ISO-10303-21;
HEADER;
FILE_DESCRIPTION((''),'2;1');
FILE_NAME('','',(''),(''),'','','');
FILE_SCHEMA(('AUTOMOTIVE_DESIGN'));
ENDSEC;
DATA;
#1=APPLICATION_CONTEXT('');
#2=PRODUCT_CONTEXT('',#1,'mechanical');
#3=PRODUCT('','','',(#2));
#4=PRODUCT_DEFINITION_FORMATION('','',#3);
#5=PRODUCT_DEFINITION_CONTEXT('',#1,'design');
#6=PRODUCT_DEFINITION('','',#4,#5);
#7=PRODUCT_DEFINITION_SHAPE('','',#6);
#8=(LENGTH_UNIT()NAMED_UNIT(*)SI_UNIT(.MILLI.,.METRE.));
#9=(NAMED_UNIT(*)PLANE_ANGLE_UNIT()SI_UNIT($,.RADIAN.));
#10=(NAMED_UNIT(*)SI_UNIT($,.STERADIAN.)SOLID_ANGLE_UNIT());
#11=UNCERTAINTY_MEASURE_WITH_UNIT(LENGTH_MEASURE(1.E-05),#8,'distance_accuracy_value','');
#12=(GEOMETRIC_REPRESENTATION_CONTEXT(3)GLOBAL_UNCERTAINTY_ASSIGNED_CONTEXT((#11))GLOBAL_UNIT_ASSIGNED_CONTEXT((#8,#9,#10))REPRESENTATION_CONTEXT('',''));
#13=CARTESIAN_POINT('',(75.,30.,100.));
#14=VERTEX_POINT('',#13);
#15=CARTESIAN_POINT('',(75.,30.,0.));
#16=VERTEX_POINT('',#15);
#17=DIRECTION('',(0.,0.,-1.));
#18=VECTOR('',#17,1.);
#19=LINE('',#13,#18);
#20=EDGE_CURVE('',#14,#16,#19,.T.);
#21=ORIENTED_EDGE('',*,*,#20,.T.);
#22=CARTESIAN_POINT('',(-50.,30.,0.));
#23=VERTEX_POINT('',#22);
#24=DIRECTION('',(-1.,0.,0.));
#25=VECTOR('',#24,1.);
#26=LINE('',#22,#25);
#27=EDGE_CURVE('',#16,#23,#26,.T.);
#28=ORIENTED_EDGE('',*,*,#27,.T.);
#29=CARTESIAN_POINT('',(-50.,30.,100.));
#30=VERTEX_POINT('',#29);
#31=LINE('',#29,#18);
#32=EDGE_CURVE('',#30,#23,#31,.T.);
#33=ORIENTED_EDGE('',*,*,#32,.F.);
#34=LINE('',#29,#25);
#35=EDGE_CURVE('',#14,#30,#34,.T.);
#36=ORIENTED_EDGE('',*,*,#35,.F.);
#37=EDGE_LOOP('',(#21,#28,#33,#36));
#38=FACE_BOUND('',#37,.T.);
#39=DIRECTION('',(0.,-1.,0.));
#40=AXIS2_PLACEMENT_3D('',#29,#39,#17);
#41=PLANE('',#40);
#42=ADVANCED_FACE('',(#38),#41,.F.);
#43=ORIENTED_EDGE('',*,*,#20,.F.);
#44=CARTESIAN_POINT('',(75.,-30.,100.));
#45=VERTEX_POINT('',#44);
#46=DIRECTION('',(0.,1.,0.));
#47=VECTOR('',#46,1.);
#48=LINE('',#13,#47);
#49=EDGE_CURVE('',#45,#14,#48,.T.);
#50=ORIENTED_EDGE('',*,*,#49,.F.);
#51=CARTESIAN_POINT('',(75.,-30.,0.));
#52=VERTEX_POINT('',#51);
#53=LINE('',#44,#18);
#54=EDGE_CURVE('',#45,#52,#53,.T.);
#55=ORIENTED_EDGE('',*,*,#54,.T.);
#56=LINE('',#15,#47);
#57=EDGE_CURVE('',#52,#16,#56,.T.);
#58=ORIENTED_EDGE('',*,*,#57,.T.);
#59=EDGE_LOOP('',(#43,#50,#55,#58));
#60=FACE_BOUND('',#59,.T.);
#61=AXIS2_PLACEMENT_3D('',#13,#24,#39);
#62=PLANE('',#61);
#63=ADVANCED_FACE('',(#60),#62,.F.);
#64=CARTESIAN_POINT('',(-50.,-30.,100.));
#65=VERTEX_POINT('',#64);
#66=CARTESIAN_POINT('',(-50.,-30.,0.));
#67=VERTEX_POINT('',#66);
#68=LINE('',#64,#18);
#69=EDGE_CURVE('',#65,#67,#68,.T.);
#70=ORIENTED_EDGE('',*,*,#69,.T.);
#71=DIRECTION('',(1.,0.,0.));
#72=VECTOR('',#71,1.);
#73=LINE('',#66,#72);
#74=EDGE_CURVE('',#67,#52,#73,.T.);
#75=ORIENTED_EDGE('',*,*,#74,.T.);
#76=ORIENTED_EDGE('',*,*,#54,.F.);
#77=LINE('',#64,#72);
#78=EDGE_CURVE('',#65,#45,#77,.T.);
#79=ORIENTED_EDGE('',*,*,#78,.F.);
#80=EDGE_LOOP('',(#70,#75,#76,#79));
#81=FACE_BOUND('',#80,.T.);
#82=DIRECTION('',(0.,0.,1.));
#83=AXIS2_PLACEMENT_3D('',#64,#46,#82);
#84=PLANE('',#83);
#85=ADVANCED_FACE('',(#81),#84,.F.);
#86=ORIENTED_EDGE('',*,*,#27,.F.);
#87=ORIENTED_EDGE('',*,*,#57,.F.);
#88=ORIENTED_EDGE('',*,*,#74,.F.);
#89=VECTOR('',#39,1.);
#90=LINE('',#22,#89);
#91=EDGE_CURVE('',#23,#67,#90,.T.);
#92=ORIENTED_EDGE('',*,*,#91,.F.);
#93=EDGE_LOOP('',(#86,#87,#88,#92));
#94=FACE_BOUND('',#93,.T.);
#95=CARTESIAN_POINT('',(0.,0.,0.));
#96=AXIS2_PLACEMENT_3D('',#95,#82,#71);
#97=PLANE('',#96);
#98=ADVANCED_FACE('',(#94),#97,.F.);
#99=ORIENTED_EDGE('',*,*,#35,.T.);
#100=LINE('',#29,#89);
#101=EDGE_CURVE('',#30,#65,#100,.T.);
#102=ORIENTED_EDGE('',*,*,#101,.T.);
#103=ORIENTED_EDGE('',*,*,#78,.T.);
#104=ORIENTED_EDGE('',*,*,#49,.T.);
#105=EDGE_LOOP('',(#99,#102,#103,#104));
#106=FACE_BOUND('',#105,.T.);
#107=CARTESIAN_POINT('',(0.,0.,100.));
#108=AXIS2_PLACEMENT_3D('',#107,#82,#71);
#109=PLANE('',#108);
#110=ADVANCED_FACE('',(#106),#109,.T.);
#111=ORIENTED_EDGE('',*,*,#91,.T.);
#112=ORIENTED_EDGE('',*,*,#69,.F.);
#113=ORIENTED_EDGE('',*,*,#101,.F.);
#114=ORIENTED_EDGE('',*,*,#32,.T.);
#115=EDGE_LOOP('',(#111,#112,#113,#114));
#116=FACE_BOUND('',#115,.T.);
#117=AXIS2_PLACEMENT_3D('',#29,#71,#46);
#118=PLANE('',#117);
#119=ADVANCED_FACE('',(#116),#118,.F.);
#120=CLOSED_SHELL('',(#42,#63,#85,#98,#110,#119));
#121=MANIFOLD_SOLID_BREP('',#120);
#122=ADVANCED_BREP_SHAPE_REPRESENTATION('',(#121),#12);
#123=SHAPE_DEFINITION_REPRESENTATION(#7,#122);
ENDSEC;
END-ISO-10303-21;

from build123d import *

# Parameters (mm, degrees)
SKETCH1_W           = 125
SKETCH1_H           = 60
BOSS_EXTRUDE1_DEPTH = 100


with BuildPart() as part:
    # Sketch1 → Boss-Extrude1 (new body)
    with BuildSketch(Plane.XY):
        with Locations((12.5, 0)):
            Rectangle(SKETCH1_W, SKETCH1_H)
    extrude(amount=BOSS_EXTRUDE1_DEPTH)


solid = part.part
